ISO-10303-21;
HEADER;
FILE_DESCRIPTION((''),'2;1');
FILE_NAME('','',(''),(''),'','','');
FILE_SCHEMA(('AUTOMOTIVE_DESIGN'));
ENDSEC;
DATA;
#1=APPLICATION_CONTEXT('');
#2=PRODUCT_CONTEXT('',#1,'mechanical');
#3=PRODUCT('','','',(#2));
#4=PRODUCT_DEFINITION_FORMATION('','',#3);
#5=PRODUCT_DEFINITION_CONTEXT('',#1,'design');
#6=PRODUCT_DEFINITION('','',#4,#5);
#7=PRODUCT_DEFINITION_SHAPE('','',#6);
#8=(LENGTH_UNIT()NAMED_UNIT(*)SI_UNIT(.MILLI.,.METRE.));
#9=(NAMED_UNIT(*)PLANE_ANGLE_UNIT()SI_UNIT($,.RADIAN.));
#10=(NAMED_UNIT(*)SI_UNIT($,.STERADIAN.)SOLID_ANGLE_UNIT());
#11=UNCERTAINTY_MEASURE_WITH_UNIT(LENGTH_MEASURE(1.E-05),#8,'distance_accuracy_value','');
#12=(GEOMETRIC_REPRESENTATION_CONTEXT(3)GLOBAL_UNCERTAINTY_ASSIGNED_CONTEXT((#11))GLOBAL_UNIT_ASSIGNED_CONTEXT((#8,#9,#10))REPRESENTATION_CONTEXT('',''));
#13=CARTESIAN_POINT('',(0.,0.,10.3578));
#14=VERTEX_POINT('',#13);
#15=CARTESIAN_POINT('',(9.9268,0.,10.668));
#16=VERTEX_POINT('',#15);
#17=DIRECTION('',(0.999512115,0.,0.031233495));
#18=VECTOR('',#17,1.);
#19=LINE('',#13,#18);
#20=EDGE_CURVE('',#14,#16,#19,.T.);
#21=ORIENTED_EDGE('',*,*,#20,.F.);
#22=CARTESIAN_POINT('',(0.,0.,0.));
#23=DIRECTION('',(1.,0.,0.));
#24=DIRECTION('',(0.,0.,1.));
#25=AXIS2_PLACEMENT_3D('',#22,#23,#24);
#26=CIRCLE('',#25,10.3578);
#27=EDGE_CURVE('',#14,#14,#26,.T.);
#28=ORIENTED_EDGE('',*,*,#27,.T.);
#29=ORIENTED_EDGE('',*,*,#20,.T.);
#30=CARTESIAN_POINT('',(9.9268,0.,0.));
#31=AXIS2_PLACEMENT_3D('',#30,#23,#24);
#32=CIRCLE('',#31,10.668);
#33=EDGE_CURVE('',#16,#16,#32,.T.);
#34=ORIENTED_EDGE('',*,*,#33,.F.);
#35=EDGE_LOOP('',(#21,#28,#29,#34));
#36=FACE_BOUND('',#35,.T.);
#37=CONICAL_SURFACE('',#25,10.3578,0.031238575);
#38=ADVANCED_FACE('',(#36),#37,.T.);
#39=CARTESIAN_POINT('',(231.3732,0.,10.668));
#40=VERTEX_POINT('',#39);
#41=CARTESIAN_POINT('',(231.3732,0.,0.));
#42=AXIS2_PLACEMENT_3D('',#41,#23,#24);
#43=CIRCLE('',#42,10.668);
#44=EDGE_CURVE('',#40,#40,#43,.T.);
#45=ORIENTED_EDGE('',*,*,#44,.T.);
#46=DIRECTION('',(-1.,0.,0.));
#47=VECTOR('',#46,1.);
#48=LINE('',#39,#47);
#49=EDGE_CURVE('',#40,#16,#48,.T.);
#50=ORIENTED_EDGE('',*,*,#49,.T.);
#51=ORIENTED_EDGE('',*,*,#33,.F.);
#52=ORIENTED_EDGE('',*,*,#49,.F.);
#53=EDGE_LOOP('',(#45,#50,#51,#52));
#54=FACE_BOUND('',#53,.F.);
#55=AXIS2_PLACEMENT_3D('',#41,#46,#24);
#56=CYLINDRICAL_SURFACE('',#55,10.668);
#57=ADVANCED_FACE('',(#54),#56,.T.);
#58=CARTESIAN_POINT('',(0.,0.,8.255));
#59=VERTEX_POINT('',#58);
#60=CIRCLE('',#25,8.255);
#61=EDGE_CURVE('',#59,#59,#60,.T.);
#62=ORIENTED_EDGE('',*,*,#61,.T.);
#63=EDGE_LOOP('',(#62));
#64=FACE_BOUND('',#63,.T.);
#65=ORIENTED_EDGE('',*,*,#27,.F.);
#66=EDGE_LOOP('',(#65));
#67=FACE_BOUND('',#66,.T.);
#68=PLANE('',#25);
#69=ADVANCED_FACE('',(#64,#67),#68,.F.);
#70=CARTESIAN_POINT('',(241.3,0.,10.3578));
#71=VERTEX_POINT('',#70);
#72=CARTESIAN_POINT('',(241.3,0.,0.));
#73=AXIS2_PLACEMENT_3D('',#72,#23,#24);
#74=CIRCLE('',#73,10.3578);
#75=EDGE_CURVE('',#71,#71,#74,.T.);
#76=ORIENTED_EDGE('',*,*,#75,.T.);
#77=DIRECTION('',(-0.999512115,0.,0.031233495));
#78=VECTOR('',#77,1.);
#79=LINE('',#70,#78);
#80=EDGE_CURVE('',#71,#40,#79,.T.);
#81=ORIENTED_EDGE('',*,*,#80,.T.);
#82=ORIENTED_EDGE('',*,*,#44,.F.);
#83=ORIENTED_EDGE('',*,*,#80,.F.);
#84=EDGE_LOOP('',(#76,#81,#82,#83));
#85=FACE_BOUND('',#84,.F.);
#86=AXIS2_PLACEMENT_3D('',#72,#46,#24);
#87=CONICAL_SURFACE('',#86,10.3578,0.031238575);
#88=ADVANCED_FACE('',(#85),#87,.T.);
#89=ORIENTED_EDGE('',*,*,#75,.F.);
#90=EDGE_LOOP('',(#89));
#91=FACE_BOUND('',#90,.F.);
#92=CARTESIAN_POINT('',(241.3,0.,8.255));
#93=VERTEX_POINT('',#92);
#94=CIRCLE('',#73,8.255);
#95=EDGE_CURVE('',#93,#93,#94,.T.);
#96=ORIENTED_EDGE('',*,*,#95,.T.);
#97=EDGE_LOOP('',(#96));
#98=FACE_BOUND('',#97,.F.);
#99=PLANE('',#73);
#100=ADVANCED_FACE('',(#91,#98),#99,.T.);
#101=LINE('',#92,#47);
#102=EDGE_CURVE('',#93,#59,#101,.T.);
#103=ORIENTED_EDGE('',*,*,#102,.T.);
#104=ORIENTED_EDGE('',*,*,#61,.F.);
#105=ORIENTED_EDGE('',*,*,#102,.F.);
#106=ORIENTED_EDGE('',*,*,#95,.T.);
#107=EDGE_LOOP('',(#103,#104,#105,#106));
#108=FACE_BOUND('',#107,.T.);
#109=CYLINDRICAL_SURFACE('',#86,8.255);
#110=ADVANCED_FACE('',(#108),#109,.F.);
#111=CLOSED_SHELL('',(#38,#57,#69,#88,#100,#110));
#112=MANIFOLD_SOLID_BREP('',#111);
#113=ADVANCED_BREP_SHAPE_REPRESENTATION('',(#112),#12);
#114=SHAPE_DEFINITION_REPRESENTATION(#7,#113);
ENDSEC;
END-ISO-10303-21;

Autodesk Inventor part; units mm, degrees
ref_plane "YZ Plane" through (0, 0, 0) normal (1, 0, 0) x (0, 1, 0)
ref_plane "XZ Plane" through (0, 0, 0) normal (0, 1, 0) x (-1, 0, 0)
ref_plane "XY Plane" through (0, 0, 0) normal (0, 0, 1) x (1, 0, 0)
sketch "Sketch1" plane through (0, 0, 0) normal (0, 1, 0) x (-1, 0, 0)
  line L0 (0, 0) -> (-241.3, 0)
  line L1 (-241.3, 0) -> (-241.3, 8.255) construction
  line L2 (-241.3, 8.255) -> (-241.3, 10.3578)
  line L3 (-241.3, 10.3578) -> (-231.3732, 10.668)
  line L4 (-231.3732, 10.668) -> (-9.9268, 10.668)
  line L5 (-120.65, 0) -> (-120.65, 10.668) construction
  line L6 (-241.3, 8.255) -> (0, 8.255)
  line L7 (0, 0) -> (0, 8.255) construction
  line L8 (0, 8.255) -> (0, 10.3578)
  line L9 (0, 10.3578) -> (-9.9268, 10.668)
  line L10 (-227.744, 10.7814) -> (-227.744, 0) construction
  line L11 (-13.556, 10.7814) -> (-13.556, 0) construction
  line L12 (-231.3732, 10.668) -> (-227.744, 10.7814) construction
  line L13 (-231.3732, 10.668) -> (-231.3732, 0) construction
  line L14 (-9.9268, 10.668) -> (-13.556, 10.7814) construction
  line L15 (-9.9268, 10.668) -> (-9.9268, 0) construction
  dimension "d0" = 21.336
  dimension "d1" = 1.79
  dimension "d2" = 16.51
  dimension "d3" = 241.3
  dimension "d4" = 13.556
  dimension "d5" = 21.5628
revolve "Revolution1" add sketch "Sketch1" angle 360 about axis through (0, 0, 0) along (1, 0, 0)
thread "Thread1" size "1/2" designation "1/2 - 14 NPT" standard "NPT" full length
thread "Thread2" size "1/2" designation "1/2 - 14 NPT" standard "NPT" full length
equation "\"d0\" = OD"
equation "\"d2\" = ID"
equation "\"d3\" = L"
equation "\"d4\" = L2"
equation "\"d5\" = D2"
equation "\"OD\" = 21.336"
equation "\"t\" = 2.413"
equation "\"L\" = PL"
equation "\"L4\" = 19.8501"
equation "\"ID\" = 16.51"
equation "\"PL\" = 241.3"
equation "\"D2\" = 21.56282"
equation "\"L2\" = 13.55598"
equation "\"Size_Designation\" = 1.2345"
equation "\"PLmin\" = 2 * L2"
properties material "Steel, Wrought"
